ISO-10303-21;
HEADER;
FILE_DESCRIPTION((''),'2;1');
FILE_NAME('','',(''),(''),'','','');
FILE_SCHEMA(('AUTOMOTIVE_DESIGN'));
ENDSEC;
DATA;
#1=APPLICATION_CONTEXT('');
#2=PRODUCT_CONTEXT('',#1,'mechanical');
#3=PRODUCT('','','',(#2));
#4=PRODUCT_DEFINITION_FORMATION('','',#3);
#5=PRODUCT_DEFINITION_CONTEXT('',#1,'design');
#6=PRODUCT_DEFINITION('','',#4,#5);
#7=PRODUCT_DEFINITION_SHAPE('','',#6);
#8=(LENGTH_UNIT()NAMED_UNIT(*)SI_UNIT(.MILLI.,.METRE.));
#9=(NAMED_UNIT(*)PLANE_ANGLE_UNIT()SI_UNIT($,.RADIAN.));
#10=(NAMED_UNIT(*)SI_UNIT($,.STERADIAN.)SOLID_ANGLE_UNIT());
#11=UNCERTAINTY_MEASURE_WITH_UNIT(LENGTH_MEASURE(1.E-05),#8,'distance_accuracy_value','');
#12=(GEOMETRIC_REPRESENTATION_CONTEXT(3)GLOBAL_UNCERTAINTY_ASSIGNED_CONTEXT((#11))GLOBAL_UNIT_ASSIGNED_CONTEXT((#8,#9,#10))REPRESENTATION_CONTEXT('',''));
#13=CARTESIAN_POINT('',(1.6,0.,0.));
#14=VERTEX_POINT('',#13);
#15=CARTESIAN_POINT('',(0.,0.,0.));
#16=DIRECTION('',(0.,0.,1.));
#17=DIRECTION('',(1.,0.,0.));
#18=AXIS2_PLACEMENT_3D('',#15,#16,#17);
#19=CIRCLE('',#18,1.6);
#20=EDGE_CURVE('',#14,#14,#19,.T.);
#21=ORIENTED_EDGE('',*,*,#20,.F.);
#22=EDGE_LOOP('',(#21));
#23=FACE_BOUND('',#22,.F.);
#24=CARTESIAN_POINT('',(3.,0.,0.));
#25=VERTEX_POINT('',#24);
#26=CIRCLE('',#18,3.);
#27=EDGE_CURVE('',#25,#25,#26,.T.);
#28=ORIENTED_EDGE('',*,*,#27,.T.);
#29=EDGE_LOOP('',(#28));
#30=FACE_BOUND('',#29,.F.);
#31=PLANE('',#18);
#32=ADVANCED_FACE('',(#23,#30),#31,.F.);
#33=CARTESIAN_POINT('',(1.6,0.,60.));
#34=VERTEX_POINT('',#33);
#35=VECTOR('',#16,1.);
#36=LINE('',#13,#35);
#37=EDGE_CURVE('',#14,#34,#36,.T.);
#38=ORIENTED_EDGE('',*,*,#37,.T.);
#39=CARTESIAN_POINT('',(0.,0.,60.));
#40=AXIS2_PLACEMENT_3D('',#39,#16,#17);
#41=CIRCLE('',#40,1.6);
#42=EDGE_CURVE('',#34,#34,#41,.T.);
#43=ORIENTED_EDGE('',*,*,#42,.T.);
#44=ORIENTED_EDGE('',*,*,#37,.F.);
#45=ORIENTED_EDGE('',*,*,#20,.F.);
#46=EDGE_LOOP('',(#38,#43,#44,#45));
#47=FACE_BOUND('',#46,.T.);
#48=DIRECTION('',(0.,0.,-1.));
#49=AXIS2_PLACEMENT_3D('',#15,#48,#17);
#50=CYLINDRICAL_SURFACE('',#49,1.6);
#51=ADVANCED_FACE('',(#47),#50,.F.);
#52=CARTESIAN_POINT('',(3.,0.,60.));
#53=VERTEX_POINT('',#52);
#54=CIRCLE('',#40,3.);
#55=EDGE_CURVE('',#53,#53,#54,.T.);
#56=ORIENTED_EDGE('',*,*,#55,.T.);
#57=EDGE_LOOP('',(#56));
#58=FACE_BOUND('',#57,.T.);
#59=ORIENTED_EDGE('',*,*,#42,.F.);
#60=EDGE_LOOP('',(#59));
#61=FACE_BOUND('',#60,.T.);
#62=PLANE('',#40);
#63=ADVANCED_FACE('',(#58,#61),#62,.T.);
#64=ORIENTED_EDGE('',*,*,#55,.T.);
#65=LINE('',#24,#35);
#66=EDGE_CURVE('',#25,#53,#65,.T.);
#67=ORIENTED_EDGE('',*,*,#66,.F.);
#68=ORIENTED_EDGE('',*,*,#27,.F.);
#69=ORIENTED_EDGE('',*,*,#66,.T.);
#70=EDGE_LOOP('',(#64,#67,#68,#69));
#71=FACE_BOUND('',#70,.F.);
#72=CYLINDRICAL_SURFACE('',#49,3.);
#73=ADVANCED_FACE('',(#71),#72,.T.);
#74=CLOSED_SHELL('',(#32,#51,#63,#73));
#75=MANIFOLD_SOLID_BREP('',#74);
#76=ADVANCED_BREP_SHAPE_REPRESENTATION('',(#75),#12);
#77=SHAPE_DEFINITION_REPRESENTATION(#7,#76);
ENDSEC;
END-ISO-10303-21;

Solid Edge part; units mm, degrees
sketch "Sketch1" plane through (0, 0, 0) normal (0, 0, 1) x (1, 0, 0)
  circle A0 centre (0, 0) radius 3
  circle A1 centre (0, 0) radius 1.6
extrude "Protrusion1" add sketch "Sketch1" along normal blind 60
